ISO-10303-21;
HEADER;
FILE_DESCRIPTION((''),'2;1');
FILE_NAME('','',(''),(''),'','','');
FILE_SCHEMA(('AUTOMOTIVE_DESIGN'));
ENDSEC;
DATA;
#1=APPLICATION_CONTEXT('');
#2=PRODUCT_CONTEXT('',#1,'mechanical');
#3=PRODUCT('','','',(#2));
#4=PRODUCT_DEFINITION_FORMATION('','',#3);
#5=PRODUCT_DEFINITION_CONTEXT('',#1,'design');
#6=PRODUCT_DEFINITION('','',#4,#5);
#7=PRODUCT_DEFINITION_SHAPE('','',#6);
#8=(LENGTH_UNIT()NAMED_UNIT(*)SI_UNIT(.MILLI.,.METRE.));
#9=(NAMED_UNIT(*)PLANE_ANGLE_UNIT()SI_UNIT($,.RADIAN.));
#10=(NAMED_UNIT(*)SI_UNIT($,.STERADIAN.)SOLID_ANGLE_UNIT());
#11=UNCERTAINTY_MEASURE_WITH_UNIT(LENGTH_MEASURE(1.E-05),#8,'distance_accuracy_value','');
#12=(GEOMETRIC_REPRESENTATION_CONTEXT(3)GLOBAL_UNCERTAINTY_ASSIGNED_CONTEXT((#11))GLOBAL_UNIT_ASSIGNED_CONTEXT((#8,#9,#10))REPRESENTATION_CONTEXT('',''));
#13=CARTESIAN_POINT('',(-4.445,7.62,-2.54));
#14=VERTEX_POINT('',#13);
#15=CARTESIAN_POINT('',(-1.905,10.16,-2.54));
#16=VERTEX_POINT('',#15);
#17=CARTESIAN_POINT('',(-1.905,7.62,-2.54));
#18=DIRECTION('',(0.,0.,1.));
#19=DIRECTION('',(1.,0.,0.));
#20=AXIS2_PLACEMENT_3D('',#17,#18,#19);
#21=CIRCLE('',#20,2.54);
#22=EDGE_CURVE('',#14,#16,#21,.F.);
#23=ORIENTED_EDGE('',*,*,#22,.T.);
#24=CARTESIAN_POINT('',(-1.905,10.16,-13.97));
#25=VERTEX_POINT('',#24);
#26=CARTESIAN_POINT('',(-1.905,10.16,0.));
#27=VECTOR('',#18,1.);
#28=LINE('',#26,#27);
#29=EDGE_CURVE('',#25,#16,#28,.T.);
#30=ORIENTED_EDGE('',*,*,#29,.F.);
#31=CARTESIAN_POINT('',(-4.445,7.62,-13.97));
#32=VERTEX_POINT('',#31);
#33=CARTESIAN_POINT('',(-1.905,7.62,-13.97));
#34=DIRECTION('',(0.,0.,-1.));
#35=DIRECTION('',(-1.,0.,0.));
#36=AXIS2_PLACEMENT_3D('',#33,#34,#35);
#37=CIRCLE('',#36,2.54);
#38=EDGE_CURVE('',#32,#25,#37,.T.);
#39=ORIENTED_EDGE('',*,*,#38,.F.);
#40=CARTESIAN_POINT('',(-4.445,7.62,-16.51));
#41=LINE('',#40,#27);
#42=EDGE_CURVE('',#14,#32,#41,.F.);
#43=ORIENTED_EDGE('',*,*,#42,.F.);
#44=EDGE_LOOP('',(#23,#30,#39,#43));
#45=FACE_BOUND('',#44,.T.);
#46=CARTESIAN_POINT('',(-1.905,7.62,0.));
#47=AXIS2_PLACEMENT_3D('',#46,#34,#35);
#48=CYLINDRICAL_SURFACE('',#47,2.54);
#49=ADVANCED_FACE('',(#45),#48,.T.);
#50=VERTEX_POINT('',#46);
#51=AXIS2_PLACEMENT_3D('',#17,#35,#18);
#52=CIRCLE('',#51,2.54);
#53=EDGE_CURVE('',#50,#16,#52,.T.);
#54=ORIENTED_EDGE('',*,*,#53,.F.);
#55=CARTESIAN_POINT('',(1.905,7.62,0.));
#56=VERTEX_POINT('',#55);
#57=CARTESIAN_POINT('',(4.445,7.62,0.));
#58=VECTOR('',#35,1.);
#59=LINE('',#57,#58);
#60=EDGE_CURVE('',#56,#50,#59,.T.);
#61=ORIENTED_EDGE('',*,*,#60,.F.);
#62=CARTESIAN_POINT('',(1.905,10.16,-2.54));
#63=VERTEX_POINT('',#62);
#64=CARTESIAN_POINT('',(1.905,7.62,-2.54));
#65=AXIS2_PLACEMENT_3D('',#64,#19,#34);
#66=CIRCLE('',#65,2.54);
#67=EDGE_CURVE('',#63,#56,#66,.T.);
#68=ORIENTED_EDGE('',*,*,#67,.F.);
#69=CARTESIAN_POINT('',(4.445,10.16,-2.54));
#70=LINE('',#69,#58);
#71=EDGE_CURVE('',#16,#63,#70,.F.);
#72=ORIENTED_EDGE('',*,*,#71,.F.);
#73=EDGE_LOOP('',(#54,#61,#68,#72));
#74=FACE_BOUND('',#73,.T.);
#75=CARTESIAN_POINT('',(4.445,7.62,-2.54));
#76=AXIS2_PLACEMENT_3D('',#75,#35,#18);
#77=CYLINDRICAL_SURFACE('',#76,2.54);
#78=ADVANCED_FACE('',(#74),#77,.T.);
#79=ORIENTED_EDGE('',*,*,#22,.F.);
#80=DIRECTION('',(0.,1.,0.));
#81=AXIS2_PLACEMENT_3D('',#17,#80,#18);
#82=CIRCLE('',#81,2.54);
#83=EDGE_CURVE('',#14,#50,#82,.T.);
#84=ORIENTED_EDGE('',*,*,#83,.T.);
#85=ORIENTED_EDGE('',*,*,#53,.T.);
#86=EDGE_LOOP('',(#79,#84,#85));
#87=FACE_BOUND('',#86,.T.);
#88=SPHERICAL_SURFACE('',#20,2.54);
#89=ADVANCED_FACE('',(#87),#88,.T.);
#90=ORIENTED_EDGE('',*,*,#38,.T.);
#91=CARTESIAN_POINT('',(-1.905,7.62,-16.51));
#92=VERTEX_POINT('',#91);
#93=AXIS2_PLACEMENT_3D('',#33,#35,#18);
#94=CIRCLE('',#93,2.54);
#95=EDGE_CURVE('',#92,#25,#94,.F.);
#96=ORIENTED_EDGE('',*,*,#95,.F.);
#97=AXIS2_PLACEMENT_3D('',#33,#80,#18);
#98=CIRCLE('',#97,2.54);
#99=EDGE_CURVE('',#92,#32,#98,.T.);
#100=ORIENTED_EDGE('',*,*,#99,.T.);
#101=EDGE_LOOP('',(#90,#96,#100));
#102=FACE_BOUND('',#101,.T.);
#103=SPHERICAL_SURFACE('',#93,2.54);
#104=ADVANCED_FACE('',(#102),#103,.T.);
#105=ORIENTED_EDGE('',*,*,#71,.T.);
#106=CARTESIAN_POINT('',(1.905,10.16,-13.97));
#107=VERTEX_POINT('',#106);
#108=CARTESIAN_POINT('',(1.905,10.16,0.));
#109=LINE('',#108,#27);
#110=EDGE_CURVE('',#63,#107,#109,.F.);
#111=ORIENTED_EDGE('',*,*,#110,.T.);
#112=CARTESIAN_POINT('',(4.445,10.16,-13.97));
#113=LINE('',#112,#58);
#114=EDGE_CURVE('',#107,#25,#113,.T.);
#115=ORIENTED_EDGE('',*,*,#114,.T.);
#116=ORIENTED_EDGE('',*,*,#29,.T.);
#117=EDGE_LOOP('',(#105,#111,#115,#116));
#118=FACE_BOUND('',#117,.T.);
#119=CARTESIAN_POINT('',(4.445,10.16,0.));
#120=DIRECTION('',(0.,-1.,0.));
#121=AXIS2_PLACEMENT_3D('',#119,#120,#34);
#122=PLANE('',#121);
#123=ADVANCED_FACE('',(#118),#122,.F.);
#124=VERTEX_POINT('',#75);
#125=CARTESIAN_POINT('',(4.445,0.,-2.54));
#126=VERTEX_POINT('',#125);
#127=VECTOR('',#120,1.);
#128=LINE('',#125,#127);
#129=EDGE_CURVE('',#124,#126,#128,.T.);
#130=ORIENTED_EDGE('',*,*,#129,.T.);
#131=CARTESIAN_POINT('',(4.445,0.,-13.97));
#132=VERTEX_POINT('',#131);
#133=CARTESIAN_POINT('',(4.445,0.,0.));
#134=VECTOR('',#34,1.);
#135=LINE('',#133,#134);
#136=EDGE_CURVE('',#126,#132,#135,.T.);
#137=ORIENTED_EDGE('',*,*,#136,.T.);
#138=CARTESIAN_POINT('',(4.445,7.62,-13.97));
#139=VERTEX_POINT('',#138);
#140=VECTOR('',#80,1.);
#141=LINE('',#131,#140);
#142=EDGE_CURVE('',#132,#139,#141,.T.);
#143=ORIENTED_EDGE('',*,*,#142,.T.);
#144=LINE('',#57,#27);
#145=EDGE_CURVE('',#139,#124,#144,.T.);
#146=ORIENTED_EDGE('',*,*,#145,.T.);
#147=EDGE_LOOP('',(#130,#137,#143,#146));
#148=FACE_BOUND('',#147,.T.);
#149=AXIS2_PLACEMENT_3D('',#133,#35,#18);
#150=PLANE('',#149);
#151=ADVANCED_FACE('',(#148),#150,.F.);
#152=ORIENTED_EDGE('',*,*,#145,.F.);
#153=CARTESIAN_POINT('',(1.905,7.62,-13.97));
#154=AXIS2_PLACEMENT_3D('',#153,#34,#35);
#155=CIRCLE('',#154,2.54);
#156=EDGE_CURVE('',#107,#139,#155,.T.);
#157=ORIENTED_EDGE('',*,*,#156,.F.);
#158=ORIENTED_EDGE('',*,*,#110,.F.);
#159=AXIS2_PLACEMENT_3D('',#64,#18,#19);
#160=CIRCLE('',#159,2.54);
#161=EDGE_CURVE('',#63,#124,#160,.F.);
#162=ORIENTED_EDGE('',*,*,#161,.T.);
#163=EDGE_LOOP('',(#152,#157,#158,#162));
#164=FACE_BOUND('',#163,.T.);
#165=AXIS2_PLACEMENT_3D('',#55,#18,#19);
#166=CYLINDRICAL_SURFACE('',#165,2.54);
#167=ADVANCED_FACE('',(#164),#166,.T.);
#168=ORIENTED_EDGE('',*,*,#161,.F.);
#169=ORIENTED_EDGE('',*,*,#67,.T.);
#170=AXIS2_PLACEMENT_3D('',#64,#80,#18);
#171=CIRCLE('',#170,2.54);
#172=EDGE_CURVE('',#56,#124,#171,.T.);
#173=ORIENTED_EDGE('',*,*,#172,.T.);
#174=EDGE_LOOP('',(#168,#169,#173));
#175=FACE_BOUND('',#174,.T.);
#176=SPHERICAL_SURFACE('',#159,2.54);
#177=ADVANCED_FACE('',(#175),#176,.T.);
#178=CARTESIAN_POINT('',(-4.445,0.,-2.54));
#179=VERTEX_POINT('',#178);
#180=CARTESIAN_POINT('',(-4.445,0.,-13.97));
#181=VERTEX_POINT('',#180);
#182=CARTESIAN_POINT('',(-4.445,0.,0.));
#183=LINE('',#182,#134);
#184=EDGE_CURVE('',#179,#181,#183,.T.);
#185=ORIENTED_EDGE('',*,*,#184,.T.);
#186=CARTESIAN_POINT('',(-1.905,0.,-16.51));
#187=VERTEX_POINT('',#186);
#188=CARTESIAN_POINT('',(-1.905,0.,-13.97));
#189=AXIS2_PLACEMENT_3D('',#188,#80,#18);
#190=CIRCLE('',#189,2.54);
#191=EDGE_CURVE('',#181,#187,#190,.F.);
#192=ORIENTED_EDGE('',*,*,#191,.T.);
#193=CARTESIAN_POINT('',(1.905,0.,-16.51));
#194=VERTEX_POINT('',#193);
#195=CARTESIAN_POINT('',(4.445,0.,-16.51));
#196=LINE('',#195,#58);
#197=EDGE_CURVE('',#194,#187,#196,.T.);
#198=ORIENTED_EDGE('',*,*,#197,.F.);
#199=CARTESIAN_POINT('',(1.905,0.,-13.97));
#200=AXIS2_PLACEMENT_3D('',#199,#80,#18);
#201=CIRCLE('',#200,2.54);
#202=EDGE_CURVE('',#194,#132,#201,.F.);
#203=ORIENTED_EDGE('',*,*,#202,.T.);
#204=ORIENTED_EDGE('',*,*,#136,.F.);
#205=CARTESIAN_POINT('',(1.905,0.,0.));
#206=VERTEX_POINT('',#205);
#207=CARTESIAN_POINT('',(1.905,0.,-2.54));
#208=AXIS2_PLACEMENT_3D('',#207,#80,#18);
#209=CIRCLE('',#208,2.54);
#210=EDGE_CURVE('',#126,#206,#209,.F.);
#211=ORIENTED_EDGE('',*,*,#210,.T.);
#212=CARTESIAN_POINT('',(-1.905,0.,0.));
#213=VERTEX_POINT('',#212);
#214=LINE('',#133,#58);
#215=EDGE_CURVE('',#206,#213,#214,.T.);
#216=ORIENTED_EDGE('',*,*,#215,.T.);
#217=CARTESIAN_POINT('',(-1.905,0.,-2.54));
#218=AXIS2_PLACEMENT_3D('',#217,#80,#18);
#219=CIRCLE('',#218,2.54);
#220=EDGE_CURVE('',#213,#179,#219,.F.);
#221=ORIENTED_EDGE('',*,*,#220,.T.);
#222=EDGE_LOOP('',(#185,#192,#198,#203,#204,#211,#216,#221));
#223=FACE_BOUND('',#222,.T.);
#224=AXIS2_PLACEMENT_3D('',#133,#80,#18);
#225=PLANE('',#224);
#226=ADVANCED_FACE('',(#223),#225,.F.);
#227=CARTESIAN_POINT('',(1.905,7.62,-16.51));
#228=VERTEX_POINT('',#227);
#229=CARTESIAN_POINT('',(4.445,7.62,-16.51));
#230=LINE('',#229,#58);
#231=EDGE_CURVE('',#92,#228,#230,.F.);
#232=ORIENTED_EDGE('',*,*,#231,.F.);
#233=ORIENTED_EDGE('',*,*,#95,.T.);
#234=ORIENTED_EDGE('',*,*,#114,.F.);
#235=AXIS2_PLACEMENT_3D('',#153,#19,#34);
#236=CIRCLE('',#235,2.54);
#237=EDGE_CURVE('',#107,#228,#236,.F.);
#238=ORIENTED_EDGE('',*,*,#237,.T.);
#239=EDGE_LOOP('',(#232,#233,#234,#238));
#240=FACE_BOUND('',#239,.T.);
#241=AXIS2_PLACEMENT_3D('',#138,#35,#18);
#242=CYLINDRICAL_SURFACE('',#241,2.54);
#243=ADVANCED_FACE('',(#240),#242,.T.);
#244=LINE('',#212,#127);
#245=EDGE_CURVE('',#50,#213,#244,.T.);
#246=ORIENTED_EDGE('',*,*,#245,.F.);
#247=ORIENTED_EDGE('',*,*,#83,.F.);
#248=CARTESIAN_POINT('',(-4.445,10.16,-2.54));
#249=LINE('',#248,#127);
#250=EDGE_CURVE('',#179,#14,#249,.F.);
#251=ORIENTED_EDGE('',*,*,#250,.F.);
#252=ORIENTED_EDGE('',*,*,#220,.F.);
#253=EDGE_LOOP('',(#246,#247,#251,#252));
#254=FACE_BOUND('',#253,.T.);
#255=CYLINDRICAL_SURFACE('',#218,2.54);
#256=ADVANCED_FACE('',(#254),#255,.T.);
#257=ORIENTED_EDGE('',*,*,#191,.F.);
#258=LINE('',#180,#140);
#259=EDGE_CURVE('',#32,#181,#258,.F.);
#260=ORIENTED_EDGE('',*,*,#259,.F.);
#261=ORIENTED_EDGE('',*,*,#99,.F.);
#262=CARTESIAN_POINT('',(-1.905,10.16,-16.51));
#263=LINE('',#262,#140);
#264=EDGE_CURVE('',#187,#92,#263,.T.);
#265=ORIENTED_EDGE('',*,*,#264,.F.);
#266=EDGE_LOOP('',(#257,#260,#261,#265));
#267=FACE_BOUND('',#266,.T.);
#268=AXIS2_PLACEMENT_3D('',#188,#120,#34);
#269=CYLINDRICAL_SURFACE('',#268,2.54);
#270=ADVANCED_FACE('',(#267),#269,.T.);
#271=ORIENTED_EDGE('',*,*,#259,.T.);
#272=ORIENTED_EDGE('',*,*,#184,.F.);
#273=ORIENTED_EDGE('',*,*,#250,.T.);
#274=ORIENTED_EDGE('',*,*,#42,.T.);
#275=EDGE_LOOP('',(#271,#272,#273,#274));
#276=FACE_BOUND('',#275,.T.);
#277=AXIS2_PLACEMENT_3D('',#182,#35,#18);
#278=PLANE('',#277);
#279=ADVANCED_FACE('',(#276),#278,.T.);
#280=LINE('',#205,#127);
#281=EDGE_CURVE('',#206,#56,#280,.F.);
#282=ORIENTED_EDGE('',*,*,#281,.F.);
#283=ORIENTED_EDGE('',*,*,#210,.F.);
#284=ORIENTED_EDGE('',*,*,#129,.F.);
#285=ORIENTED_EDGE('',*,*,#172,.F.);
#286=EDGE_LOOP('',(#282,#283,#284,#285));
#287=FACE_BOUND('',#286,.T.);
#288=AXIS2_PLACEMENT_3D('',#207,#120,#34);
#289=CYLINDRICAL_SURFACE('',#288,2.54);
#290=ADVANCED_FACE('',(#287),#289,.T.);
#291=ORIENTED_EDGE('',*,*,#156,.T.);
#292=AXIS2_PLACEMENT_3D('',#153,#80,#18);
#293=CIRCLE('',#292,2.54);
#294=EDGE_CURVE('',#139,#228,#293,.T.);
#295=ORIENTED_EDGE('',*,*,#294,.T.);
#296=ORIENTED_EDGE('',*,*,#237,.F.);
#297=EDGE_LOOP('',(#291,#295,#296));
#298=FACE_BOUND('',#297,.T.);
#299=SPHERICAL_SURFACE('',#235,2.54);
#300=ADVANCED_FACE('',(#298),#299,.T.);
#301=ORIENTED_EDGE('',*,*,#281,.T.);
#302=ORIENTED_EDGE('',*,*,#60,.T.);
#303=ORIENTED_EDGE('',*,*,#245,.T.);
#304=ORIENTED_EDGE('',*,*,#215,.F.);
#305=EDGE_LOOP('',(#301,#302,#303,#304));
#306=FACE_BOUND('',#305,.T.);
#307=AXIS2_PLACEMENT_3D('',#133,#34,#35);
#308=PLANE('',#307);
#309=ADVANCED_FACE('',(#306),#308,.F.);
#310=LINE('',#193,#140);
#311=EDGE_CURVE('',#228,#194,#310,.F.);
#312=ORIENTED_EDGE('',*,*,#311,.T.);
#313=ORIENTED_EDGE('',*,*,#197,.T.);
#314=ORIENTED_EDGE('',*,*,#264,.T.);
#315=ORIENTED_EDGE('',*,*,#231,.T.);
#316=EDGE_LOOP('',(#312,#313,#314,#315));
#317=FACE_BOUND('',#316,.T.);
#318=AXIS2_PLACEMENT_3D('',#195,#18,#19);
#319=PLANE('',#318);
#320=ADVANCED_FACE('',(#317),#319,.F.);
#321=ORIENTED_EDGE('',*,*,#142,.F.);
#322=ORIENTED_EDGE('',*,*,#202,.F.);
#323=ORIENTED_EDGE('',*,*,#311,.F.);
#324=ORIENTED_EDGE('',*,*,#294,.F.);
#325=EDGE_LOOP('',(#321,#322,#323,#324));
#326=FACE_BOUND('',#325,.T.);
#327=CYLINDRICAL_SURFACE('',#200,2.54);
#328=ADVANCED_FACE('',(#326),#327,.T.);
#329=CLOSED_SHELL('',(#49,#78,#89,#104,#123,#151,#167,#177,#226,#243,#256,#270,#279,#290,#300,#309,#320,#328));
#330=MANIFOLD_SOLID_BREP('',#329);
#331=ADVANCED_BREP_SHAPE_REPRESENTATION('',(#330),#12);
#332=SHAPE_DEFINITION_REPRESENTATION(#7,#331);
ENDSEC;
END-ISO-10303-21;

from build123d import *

# Parameters (mm, degrees)
SKETCH1_W           = 16.51
SKETCH1_H           = 10.16
BOSS_EXTRUDE1_DEPTH = 4.445
FILLET1_R           = 2.54


with BuildPart() as part:
    # Sketch1 → Boss-Extrude1 (new body, symmetric)
    with BuildSketch(Plane(origin=(0, 0, 0), x_dir=(0, 0, -1), z_dir=(1, 0, 0))):
        with Locations((8.255, 5.08)):
            Rectangle(SKETCH1_W, SKETCH1_H)
    extrude(amount=BOSS_EXTRUDE1_DEPTH, both=True)

    # Fillet1
    fillet1_edges = [part.edges().sort_by_distance(p)[0] for p in [
        (4.445, 5.08, -16.51),
        (4.445, 10.16, -8.255),
        (4.445, 5.08, 0),
        (-4.445, 10.16, -8.255),
        (-4.445, 5.08, -16.51),
        (-4.445, 5.08, 0),
        (0, 10.16, 0),
        (0, 10.16, -16.51),
    ]]
    fillet(fillet1_edges, radius=FILLET1_R)


solid = part.part
